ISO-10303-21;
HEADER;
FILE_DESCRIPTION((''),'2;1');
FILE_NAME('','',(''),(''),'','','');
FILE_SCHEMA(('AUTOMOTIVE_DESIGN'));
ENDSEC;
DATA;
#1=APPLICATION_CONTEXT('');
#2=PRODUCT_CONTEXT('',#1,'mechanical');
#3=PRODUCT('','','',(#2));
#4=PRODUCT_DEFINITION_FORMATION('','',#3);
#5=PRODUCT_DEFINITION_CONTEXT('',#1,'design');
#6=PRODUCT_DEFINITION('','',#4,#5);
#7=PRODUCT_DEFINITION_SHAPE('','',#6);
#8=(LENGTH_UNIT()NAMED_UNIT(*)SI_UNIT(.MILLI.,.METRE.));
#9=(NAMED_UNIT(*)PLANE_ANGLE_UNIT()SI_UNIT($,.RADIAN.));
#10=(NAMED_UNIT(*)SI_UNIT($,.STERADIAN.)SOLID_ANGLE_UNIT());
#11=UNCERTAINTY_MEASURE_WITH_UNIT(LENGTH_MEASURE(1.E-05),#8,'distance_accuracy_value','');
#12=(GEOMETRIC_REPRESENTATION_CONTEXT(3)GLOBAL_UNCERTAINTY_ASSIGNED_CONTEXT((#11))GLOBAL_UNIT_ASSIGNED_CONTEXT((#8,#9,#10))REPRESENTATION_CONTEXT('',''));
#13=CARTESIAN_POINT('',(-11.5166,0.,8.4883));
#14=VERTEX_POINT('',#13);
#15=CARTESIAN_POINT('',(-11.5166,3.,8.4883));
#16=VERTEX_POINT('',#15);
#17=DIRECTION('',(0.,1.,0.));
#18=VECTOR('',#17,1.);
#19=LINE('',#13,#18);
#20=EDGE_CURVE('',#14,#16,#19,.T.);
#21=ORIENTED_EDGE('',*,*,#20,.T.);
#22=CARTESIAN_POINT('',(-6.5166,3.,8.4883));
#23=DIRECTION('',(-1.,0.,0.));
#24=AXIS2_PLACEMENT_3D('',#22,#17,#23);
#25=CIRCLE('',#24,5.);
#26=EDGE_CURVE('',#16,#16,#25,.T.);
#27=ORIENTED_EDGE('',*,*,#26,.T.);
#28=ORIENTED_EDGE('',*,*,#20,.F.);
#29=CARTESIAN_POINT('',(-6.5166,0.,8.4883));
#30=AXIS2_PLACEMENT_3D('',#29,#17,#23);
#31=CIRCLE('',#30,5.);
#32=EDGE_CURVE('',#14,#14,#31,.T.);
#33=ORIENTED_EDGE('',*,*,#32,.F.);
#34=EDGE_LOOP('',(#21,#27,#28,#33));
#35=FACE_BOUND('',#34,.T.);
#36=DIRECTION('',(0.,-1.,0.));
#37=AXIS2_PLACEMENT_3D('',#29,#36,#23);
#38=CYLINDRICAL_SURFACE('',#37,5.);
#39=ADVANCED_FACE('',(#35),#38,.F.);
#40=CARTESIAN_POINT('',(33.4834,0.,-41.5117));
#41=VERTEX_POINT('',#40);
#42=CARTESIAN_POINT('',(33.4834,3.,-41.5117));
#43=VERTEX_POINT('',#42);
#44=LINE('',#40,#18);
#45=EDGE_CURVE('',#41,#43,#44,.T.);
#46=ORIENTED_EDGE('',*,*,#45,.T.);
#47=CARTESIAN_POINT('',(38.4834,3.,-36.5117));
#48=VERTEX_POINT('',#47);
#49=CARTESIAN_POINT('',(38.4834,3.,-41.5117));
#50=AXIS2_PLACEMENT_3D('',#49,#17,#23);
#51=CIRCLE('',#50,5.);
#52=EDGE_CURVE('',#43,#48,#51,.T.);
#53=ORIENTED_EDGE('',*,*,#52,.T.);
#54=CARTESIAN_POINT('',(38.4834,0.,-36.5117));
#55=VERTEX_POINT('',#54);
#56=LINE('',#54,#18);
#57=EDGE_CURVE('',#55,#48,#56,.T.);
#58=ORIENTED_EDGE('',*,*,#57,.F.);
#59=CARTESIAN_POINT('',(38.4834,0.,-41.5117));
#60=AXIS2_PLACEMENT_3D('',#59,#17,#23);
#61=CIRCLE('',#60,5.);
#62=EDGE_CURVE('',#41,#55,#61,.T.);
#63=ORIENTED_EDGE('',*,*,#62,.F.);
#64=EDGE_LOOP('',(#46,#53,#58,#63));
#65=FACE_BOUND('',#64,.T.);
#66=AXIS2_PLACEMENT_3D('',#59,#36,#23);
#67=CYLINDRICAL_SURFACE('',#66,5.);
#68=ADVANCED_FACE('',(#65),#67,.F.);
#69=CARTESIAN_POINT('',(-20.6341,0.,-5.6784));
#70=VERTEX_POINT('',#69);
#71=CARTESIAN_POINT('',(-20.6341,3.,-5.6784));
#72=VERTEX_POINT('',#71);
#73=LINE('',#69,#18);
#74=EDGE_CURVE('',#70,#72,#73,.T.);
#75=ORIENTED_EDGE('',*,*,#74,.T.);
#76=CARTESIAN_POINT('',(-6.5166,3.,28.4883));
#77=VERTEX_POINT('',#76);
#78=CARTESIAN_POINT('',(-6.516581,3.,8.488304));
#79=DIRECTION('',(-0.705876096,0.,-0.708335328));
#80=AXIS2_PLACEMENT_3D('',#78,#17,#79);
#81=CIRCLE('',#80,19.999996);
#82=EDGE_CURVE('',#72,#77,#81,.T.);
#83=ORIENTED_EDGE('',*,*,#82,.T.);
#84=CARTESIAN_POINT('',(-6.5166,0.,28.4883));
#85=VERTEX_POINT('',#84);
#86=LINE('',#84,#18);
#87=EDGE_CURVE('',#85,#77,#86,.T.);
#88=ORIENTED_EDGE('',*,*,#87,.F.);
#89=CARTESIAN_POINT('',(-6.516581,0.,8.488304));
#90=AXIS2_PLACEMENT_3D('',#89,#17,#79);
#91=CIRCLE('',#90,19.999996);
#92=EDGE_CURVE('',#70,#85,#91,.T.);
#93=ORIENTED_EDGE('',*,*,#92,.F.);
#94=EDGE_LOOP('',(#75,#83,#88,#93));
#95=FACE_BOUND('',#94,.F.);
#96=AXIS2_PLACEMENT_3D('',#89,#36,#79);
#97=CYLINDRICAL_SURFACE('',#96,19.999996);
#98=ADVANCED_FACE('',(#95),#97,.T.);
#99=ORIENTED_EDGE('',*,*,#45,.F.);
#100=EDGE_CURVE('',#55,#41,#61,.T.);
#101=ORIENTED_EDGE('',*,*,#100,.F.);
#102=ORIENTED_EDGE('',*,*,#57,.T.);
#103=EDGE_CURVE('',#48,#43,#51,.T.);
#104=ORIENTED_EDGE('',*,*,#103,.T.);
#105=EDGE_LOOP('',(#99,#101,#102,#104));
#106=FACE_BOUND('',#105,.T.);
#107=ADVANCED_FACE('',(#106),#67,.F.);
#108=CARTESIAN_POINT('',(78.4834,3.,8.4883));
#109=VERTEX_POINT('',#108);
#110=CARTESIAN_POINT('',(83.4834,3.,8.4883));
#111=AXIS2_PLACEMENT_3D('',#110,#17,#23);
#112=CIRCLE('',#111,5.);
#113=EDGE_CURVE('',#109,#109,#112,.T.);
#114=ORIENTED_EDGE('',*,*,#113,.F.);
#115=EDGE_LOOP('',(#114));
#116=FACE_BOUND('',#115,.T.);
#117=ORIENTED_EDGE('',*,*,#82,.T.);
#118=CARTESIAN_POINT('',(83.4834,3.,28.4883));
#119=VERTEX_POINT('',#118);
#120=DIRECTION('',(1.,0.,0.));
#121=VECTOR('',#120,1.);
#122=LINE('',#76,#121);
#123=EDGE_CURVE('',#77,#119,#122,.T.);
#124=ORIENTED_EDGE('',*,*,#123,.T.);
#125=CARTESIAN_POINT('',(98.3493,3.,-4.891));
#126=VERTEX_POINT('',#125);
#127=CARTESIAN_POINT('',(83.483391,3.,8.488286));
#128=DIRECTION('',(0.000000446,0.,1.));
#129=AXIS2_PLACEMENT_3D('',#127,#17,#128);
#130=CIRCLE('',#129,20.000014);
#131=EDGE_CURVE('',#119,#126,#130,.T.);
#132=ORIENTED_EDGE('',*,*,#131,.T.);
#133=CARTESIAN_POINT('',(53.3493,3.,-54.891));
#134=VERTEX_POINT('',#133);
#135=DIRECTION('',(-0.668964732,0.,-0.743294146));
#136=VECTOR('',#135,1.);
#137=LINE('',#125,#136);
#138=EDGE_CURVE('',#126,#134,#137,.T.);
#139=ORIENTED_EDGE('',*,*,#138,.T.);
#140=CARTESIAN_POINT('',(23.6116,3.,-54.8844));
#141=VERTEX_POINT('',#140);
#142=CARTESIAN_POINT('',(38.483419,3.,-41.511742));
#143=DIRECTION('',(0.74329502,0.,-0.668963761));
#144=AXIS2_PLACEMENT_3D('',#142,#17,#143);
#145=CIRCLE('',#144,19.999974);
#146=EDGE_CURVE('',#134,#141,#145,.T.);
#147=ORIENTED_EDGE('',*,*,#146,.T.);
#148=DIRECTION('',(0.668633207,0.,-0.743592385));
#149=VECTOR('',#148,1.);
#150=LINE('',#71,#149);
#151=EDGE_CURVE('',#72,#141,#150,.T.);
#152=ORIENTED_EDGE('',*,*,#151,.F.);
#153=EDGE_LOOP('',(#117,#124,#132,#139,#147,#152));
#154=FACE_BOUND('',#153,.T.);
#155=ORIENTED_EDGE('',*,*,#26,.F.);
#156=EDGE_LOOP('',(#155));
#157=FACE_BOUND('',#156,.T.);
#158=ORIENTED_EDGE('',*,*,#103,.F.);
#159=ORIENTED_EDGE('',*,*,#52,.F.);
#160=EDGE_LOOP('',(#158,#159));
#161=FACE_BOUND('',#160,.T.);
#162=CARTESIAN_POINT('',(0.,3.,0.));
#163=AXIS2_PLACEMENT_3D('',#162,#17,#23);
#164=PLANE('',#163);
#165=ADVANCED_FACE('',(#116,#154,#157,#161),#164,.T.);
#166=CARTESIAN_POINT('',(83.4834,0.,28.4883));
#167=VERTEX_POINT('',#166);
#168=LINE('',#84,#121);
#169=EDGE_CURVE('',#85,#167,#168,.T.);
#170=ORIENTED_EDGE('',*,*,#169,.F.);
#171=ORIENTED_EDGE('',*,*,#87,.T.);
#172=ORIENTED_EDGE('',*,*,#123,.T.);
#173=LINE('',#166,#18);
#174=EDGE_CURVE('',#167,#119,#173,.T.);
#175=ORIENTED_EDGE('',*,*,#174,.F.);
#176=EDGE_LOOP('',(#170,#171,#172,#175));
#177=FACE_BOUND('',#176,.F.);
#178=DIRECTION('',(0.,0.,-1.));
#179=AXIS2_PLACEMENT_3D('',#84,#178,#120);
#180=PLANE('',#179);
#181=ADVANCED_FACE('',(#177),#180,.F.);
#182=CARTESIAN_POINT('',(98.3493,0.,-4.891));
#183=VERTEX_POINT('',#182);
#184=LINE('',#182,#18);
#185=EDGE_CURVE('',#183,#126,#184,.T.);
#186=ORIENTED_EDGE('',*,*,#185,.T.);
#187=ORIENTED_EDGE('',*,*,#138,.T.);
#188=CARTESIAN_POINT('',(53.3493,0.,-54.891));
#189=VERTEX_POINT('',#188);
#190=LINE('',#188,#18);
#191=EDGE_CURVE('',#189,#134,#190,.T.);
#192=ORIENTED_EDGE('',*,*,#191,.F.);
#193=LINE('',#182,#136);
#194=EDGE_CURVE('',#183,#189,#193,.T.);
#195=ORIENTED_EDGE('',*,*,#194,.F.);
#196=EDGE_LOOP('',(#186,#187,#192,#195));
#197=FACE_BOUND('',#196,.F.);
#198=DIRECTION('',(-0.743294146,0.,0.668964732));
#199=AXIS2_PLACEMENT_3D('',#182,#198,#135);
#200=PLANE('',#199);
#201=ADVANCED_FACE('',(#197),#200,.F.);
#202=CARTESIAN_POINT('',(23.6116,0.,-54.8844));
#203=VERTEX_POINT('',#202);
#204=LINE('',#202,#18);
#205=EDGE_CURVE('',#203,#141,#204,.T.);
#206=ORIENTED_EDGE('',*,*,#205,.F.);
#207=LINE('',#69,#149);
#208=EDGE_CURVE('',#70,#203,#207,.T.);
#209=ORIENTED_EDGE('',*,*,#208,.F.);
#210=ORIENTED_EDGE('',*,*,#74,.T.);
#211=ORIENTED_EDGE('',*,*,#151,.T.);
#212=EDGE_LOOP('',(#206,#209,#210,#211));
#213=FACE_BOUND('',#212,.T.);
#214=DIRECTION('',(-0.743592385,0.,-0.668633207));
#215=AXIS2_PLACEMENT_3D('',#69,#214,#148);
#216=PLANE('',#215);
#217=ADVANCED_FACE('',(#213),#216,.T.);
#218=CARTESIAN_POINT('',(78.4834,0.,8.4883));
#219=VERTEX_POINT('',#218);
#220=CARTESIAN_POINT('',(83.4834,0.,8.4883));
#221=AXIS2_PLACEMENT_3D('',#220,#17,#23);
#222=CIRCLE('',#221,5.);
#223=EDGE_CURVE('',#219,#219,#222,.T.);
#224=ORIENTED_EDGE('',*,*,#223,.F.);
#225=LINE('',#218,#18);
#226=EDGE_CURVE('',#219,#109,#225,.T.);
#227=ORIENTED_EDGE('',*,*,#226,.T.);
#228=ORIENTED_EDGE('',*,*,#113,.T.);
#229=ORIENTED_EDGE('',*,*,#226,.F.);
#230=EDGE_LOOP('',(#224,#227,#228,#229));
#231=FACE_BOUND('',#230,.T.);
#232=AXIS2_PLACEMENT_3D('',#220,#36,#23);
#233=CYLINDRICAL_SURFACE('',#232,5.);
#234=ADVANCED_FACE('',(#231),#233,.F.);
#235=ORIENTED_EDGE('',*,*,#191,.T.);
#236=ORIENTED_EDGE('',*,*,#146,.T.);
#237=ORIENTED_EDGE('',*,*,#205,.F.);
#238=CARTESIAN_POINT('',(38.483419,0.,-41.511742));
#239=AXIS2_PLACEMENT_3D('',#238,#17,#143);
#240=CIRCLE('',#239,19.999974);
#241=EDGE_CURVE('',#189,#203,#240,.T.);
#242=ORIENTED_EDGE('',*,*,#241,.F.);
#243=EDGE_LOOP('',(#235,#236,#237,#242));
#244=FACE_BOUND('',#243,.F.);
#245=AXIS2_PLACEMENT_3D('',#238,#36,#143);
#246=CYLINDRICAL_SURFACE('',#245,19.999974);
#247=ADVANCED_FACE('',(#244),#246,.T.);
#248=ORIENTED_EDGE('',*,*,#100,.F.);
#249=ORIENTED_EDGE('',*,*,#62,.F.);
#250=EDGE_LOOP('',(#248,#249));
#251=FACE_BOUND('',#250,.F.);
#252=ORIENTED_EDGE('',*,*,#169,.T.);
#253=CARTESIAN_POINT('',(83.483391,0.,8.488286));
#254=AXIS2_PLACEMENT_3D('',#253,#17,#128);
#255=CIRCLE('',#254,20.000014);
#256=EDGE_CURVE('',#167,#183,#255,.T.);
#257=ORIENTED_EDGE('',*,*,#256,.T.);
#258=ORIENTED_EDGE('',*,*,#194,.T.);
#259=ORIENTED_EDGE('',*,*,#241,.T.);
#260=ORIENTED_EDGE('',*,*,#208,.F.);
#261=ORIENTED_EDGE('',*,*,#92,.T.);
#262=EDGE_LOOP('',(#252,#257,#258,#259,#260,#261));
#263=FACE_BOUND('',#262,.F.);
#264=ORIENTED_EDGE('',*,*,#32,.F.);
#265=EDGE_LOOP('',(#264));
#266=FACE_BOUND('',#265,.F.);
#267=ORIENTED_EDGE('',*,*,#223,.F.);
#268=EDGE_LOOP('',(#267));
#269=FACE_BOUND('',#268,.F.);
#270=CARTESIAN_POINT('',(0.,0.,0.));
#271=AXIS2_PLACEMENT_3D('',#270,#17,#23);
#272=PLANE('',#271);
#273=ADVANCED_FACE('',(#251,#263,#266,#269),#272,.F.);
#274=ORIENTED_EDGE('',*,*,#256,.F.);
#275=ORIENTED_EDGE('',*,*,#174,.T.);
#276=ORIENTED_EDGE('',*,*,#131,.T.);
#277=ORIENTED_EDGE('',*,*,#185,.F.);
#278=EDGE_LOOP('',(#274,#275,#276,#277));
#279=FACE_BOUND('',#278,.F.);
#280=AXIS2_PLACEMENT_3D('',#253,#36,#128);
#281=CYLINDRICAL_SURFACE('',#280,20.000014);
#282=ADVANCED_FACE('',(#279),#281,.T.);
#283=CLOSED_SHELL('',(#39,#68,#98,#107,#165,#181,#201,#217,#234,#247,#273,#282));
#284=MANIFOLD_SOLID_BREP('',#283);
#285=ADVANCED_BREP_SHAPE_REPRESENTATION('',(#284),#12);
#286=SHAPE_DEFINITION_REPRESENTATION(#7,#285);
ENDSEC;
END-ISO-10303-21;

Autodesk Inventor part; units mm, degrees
ref_plane "YZ Plane" through (0, 0, 0) normal (1, 0, 0) x (0, 1, 0)
ref_plane "XZ Plane" through (0, 0, 0) normal (0, 1, 0) x (-1, 0, 0)
ref_plane "XY Plane" through (0, 0, 0) normal (0, 0, 1) x (1, 0, 0)
sketch "Sketch1" plane through (0, 0, 0) normal (0, 1, 0) x (-1, 0, 0)
  line L0 (6.5166, 8.4883) -> (-83.4834, 8.4883) construction
  circle A0 centre (6.5166, 8.4883) radius 5
  circle A1 centre (-83.4834, 8.4883) radius 5
  line L1 (-38.4834, 8.4883) -> (-38.4834, -41.5117) construction
  circle A2 centre (-38.4834, -41.5117) radius 5
  line L2 (6.5166, 13.4883) -> (6.5166, 28.4883) construction
  arc A3 (20.6341, -5.6784) -> (6.5166, 28.4883) centre (6.5166, 8.4883) ccw
  arc A4 (-83.4834, 28.4883) -> (-98.3493, -4.891) centre (-83.4834, 8.4883) ccw
  arc A5 (-53.3493, -54.891) -> (-23.6116, -54.8844) centre (-38.4834, -41.5117) ccw
  line L3 (20.6341, -5.6784) -> (-23.6116, -54.8844)
  line L4 (6.5166, 28.4883) -> (-83.4834, 28.4883)
  line L5 (-98.3493, -4.891) -> (-53.3493, -54.891)
  line L6 (-38.4834, -36.5117) -> (-38.4834, -16.5117)
  dimension "d1" = 10
  dimension "d4" = 10
  dimension "d0" = 90
  dimension "d2" = 10
  dimension "d3" = 50
  dimension "d5" = 15
  dimension "d6" = 15
  dimension "d7" = 15
  dimension "d12" = 20
extrude "Plate1" add sketch "Sketch1" along normal blind 3
equation "\"BendRadius\" = Thickness"
equation "\"BendReliefWidth\" = Thickness"
equation "\"BendReliefDepth\" = 0.5 * Thickness"
equation "\"CornerReliefSize\" = 4 * Thickness"
equation "\"MinimumRemnant\" = 2 * Thickness"
equation "\"TransitionRadius\" = BendRadius"
equation "\"JacobiRadiusSize\" = BendRadius"
equation "\"GapSize\" = Thickness"
equation "\"d8\" = BendRadius"
equation "\"Thickness\" = 3"
properties part number "Conexion_eje"
